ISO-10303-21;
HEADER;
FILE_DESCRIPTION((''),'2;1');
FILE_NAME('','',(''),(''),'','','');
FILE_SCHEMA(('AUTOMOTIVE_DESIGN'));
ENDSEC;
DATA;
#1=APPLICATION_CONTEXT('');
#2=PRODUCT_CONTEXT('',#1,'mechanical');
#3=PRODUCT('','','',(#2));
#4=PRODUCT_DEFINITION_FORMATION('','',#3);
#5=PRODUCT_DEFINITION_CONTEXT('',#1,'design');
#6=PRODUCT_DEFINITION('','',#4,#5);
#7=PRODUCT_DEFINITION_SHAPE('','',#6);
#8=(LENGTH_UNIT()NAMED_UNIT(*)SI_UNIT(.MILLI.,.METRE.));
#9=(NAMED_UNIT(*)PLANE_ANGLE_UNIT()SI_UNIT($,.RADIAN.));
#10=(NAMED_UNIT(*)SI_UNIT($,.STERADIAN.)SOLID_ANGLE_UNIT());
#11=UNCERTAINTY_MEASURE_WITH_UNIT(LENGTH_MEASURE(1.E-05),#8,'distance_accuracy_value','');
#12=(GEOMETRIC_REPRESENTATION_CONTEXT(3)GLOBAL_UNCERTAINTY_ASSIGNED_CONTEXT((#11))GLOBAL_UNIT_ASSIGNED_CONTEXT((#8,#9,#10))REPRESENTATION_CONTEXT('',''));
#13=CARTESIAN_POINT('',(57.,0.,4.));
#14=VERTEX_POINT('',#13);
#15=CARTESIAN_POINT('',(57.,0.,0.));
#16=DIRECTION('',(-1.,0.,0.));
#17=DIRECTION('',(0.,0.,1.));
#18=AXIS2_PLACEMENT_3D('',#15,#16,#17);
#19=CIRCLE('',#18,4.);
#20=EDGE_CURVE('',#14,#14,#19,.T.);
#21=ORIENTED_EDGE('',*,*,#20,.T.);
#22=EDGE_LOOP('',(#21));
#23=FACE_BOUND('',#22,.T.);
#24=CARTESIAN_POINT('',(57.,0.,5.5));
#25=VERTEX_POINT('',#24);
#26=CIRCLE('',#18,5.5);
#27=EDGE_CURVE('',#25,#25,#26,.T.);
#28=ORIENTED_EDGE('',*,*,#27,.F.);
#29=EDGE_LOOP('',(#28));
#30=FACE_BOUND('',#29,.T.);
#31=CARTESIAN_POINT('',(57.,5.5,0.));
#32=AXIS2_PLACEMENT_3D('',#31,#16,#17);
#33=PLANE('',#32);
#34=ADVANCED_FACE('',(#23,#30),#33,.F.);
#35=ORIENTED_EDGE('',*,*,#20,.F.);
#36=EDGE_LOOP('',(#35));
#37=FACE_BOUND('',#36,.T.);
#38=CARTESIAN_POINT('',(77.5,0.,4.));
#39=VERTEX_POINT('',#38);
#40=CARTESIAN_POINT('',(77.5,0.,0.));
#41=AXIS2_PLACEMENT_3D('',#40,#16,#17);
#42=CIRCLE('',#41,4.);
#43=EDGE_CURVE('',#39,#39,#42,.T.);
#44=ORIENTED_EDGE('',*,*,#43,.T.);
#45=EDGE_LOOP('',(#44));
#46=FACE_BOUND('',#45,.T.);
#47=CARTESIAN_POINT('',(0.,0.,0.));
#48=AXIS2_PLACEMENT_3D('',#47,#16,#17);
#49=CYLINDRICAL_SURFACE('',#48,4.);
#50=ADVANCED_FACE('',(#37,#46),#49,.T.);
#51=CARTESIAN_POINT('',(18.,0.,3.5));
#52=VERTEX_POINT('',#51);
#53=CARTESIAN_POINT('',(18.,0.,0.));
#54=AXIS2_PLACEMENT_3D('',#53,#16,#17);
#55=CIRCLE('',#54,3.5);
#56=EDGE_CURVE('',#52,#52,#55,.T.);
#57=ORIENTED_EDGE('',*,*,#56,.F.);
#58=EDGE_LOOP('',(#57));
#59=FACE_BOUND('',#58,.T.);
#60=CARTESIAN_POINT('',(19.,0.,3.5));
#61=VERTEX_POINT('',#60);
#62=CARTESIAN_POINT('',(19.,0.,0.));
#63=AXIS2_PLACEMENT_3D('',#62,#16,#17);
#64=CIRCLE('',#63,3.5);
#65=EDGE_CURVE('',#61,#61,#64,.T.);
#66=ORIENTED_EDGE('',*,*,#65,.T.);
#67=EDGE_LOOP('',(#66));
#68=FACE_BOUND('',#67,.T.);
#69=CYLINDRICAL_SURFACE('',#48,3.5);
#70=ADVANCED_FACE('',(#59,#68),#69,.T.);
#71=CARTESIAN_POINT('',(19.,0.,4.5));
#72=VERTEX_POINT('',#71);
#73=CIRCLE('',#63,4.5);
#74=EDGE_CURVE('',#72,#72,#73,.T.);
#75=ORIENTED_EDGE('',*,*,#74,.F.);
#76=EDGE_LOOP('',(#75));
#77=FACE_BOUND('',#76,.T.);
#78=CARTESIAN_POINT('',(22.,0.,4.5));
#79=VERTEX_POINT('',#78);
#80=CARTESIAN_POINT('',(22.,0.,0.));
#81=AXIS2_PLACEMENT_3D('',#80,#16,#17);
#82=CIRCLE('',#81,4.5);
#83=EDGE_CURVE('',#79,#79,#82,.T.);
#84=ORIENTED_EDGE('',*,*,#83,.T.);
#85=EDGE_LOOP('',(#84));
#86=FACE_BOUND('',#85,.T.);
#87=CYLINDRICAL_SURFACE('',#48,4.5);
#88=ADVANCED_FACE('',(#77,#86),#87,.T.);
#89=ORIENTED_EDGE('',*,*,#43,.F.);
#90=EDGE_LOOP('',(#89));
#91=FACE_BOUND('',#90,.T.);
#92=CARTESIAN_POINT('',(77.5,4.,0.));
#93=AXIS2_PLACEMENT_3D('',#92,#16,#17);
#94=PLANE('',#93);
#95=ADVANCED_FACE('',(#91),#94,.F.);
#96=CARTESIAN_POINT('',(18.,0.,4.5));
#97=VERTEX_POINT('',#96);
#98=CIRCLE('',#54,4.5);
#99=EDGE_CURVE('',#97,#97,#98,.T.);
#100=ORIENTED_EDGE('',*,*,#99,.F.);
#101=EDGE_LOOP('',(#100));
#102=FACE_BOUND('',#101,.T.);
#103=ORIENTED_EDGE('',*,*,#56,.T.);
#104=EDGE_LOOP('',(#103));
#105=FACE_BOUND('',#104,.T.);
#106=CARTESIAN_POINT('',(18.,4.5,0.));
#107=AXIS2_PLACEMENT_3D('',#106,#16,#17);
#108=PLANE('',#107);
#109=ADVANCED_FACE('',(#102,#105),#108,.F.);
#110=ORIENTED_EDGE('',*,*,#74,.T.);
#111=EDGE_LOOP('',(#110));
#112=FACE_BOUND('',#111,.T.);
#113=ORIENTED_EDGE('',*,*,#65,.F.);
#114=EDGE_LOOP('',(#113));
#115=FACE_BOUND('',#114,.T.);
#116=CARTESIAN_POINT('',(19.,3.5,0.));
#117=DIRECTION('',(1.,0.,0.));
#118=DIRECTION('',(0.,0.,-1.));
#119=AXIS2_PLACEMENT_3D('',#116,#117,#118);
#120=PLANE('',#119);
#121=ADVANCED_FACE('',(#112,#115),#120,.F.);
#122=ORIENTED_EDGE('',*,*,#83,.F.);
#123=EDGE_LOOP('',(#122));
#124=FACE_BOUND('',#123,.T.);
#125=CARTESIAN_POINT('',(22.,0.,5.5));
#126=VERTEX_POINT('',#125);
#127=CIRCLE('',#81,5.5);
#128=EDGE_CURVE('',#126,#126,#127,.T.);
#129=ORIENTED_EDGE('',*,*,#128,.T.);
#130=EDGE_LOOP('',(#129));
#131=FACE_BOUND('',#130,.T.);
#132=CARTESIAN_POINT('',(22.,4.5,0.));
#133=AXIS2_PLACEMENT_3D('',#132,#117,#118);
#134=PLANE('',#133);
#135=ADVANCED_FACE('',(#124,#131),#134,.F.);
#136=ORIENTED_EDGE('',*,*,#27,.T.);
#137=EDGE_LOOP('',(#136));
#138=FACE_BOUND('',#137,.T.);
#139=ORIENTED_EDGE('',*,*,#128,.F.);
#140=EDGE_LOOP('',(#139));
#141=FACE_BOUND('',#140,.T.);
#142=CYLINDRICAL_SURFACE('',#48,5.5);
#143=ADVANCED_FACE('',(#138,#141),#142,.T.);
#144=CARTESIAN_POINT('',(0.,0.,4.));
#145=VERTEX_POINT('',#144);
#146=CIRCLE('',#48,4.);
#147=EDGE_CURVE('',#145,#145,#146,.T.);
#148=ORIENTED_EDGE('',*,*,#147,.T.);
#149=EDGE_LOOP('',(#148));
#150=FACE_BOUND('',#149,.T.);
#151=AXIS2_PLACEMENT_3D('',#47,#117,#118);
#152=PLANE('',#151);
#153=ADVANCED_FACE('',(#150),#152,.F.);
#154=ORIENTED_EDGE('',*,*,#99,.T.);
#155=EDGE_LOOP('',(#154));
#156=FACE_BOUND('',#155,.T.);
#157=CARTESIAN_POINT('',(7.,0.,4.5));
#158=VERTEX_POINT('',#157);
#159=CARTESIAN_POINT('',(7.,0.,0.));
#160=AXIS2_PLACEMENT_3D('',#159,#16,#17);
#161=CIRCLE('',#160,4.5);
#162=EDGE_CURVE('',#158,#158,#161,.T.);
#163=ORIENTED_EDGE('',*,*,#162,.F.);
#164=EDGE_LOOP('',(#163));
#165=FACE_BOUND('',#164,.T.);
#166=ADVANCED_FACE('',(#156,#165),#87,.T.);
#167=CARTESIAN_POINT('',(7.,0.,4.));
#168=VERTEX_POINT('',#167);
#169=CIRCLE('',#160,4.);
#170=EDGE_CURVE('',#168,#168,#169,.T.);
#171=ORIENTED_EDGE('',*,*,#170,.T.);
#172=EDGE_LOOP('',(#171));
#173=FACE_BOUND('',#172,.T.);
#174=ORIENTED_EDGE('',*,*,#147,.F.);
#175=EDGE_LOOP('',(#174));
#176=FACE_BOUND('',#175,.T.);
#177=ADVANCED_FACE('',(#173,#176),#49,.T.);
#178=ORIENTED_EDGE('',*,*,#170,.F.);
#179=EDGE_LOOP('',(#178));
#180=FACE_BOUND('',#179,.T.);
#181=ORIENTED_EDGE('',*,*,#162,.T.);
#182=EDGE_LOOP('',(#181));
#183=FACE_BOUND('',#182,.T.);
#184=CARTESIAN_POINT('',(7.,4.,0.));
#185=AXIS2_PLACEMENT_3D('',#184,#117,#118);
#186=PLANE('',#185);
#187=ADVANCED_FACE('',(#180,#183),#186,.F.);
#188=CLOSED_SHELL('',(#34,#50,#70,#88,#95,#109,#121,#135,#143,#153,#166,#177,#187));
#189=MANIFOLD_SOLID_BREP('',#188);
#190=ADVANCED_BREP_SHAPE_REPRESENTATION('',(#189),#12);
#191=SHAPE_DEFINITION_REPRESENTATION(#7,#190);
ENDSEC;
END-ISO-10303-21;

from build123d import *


with BuildPart() as part:
    # Esquisse1 → Révolution1 (revolve)
    with BuildSketch(Plane.XY, mode=Mode.PRIVATE) as r_volution1_sk:
        Polygon((0, 0), (0, 4), (7, 4), (7, 4.5), (18, 4.5), (18, 3.5), (19, 3.5), (19, 4.5), (22, 4.5), (22, 5.5), (57, 5.5), (57, 4), (77.5, 4), (77.5, 0), align=None)
    revolve(r_volution1_sk.sketch.rotate(Axis((0, 0, 0), (1, 0, 0)), 90), axis=Axis((0, 0, 0), (1, 0, 0)))


solid = part.part
